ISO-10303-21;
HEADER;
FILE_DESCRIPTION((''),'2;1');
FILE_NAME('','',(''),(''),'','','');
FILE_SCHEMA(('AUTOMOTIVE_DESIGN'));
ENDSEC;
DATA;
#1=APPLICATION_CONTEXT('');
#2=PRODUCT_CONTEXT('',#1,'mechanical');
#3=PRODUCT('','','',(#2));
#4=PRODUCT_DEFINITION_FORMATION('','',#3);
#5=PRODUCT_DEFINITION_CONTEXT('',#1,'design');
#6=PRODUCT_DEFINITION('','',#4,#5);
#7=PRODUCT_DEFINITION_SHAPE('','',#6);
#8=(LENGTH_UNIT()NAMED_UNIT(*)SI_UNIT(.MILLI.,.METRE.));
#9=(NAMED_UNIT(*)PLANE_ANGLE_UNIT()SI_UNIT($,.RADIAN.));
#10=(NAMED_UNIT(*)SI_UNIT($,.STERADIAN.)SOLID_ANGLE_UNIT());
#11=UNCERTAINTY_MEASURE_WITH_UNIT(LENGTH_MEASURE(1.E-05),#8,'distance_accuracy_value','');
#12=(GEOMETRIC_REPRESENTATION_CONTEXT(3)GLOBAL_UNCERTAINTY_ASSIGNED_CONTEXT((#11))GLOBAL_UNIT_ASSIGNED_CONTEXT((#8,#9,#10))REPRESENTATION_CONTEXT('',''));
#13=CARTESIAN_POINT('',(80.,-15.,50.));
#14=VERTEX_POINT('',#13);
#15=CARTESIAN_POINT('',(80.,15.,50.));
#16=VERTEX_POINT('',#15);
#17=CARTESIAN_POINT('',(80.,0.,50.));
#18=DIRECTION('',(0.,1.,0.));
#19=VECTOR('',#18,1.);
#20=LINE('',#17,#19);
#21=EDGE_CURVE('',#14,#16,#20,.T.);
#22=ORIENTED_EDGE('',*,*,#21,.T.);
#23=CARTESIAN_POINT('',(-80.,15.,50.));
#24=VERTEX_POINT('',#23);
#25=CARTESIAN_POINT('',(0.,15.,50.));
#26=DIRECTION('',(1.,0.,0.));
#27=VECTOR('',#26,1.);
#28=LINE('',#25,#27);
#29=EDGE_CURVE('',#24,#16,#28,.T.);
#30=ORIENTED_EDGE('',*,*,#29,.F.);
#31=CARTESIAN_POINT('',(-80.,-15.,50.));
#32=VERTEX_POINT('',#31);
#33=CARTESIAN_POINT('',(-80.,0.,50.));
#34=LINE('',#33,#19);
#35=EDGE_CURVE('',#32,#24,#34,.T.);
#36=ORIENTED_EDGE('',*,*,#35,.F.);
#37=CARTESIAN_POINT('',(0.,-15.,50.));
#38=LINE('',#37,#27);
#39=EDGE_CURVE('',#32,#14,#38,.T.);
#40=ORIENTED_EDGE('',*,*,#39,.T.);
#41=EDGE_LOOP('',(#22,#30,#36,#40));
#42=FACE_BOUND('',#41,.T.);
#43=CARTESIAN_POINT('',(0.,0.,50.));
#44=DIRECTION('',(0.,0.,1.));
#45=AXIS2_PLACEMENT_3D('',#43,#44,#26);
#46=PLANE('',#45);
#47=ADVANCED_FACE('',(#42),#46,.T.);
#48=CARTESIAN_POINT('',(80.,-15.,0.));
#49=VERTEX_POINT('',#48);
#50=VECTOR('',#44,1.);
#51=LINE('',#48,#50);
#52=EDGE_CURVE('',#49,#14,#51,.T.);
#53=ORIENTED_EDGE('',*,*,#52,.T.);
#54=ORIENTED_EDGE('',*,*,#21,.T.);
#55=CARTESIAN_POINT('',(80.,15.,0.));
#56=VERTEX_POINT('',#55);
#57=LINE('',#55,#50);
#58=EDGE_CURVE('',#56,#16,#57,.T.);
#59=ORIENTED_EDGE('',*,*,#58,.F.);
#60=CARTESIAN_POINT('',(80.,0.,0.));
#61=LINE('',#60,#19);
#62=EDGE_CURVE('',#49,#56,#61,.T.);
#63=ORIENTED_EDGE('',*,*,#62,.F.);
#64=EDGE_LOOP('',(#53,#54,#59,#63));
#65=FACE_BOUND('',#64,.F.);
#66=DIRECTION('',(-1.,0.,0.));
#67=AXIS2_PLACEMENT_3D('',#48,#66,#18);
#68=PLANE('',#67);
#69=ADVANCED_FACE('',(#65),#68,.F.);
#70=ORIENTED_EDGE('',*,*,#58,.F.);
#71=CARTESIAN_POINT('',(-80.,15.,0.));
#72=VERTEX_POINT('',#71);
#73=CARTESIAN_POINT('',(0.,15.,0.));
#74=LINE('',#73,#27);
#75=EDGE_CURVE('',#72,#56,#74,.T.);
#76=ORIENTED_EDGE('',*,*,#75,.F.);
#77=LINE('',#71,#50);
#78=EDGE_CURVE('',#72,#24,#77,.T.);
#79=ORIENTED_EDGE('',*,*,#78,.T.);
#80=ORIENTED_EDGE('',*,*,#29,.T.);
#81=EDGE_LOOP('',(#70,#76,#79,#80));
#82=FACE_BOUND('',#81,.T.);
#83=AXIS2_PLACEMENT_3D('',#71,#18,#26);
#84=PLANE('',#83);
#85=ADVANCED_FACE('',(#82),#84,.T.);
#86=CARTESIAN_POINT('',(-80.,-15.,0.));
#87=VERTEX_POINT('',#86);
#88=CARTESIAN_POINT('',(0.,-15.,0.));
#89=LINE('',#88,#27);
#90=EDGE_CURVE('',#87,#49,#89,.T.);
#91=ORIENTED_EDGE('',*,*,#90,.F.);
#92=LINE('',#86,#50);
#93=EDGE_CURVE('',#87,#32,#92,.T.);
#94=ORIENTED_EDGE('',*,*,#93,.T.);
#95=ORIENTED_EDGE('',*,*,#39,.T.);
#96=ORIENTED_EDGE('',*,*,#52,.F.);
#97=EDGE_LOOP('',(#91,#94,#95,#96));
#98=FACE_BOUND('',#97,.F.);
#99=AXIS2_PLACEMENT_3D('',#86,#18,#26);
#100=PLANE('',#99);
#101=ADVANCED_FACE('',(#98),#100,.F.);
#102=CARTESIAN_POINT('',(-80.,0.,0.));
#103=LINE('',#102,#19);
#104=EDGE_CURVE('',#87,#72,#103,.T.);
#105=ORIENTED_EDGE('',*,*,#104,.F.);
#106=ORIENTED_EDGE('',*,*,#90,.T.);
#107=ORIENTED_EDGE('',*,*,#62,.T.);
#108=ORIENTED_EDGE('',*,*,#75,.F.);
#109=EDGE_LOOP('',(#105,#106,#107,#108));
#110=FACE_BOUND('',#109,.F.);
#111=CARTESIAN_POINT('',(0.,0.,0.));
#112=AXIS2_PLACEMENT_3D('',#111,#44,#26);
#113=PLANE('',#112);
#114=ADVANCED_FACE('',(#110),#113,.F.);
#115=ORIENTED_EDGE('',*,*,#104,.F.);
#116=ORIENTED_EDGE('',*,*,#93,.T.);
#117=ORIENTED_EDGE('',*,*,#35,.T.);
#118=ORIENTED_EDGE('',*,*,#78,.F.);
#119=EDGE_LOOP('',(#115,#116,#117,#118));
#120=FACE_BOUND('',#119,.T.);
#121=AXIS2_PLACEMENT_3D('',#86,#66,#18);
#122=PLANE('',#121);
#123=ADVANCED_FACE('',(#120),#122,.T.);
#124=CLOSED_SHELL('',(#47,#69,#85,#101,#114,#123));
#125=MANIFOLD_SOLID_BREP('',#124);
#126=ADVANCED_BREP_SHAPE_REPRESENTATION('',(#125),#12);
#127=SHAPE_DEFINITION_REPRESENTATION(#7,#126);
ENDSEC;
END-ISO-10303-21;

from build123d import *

# Parameters (mm, degrees)
SKETCH_W      = 160
SKETCH_H      = 30
EXTRUDE_DEPTH = 50


with BuildPart() as part:
    # Sketch → Extrude (new body)
    with BuildSketch(Plane.XY):
        Rectangle(SKETCH_W, SKETCH_H)
    extrude(amount=EXTRUDE_DEPTH)


solid = part.part
